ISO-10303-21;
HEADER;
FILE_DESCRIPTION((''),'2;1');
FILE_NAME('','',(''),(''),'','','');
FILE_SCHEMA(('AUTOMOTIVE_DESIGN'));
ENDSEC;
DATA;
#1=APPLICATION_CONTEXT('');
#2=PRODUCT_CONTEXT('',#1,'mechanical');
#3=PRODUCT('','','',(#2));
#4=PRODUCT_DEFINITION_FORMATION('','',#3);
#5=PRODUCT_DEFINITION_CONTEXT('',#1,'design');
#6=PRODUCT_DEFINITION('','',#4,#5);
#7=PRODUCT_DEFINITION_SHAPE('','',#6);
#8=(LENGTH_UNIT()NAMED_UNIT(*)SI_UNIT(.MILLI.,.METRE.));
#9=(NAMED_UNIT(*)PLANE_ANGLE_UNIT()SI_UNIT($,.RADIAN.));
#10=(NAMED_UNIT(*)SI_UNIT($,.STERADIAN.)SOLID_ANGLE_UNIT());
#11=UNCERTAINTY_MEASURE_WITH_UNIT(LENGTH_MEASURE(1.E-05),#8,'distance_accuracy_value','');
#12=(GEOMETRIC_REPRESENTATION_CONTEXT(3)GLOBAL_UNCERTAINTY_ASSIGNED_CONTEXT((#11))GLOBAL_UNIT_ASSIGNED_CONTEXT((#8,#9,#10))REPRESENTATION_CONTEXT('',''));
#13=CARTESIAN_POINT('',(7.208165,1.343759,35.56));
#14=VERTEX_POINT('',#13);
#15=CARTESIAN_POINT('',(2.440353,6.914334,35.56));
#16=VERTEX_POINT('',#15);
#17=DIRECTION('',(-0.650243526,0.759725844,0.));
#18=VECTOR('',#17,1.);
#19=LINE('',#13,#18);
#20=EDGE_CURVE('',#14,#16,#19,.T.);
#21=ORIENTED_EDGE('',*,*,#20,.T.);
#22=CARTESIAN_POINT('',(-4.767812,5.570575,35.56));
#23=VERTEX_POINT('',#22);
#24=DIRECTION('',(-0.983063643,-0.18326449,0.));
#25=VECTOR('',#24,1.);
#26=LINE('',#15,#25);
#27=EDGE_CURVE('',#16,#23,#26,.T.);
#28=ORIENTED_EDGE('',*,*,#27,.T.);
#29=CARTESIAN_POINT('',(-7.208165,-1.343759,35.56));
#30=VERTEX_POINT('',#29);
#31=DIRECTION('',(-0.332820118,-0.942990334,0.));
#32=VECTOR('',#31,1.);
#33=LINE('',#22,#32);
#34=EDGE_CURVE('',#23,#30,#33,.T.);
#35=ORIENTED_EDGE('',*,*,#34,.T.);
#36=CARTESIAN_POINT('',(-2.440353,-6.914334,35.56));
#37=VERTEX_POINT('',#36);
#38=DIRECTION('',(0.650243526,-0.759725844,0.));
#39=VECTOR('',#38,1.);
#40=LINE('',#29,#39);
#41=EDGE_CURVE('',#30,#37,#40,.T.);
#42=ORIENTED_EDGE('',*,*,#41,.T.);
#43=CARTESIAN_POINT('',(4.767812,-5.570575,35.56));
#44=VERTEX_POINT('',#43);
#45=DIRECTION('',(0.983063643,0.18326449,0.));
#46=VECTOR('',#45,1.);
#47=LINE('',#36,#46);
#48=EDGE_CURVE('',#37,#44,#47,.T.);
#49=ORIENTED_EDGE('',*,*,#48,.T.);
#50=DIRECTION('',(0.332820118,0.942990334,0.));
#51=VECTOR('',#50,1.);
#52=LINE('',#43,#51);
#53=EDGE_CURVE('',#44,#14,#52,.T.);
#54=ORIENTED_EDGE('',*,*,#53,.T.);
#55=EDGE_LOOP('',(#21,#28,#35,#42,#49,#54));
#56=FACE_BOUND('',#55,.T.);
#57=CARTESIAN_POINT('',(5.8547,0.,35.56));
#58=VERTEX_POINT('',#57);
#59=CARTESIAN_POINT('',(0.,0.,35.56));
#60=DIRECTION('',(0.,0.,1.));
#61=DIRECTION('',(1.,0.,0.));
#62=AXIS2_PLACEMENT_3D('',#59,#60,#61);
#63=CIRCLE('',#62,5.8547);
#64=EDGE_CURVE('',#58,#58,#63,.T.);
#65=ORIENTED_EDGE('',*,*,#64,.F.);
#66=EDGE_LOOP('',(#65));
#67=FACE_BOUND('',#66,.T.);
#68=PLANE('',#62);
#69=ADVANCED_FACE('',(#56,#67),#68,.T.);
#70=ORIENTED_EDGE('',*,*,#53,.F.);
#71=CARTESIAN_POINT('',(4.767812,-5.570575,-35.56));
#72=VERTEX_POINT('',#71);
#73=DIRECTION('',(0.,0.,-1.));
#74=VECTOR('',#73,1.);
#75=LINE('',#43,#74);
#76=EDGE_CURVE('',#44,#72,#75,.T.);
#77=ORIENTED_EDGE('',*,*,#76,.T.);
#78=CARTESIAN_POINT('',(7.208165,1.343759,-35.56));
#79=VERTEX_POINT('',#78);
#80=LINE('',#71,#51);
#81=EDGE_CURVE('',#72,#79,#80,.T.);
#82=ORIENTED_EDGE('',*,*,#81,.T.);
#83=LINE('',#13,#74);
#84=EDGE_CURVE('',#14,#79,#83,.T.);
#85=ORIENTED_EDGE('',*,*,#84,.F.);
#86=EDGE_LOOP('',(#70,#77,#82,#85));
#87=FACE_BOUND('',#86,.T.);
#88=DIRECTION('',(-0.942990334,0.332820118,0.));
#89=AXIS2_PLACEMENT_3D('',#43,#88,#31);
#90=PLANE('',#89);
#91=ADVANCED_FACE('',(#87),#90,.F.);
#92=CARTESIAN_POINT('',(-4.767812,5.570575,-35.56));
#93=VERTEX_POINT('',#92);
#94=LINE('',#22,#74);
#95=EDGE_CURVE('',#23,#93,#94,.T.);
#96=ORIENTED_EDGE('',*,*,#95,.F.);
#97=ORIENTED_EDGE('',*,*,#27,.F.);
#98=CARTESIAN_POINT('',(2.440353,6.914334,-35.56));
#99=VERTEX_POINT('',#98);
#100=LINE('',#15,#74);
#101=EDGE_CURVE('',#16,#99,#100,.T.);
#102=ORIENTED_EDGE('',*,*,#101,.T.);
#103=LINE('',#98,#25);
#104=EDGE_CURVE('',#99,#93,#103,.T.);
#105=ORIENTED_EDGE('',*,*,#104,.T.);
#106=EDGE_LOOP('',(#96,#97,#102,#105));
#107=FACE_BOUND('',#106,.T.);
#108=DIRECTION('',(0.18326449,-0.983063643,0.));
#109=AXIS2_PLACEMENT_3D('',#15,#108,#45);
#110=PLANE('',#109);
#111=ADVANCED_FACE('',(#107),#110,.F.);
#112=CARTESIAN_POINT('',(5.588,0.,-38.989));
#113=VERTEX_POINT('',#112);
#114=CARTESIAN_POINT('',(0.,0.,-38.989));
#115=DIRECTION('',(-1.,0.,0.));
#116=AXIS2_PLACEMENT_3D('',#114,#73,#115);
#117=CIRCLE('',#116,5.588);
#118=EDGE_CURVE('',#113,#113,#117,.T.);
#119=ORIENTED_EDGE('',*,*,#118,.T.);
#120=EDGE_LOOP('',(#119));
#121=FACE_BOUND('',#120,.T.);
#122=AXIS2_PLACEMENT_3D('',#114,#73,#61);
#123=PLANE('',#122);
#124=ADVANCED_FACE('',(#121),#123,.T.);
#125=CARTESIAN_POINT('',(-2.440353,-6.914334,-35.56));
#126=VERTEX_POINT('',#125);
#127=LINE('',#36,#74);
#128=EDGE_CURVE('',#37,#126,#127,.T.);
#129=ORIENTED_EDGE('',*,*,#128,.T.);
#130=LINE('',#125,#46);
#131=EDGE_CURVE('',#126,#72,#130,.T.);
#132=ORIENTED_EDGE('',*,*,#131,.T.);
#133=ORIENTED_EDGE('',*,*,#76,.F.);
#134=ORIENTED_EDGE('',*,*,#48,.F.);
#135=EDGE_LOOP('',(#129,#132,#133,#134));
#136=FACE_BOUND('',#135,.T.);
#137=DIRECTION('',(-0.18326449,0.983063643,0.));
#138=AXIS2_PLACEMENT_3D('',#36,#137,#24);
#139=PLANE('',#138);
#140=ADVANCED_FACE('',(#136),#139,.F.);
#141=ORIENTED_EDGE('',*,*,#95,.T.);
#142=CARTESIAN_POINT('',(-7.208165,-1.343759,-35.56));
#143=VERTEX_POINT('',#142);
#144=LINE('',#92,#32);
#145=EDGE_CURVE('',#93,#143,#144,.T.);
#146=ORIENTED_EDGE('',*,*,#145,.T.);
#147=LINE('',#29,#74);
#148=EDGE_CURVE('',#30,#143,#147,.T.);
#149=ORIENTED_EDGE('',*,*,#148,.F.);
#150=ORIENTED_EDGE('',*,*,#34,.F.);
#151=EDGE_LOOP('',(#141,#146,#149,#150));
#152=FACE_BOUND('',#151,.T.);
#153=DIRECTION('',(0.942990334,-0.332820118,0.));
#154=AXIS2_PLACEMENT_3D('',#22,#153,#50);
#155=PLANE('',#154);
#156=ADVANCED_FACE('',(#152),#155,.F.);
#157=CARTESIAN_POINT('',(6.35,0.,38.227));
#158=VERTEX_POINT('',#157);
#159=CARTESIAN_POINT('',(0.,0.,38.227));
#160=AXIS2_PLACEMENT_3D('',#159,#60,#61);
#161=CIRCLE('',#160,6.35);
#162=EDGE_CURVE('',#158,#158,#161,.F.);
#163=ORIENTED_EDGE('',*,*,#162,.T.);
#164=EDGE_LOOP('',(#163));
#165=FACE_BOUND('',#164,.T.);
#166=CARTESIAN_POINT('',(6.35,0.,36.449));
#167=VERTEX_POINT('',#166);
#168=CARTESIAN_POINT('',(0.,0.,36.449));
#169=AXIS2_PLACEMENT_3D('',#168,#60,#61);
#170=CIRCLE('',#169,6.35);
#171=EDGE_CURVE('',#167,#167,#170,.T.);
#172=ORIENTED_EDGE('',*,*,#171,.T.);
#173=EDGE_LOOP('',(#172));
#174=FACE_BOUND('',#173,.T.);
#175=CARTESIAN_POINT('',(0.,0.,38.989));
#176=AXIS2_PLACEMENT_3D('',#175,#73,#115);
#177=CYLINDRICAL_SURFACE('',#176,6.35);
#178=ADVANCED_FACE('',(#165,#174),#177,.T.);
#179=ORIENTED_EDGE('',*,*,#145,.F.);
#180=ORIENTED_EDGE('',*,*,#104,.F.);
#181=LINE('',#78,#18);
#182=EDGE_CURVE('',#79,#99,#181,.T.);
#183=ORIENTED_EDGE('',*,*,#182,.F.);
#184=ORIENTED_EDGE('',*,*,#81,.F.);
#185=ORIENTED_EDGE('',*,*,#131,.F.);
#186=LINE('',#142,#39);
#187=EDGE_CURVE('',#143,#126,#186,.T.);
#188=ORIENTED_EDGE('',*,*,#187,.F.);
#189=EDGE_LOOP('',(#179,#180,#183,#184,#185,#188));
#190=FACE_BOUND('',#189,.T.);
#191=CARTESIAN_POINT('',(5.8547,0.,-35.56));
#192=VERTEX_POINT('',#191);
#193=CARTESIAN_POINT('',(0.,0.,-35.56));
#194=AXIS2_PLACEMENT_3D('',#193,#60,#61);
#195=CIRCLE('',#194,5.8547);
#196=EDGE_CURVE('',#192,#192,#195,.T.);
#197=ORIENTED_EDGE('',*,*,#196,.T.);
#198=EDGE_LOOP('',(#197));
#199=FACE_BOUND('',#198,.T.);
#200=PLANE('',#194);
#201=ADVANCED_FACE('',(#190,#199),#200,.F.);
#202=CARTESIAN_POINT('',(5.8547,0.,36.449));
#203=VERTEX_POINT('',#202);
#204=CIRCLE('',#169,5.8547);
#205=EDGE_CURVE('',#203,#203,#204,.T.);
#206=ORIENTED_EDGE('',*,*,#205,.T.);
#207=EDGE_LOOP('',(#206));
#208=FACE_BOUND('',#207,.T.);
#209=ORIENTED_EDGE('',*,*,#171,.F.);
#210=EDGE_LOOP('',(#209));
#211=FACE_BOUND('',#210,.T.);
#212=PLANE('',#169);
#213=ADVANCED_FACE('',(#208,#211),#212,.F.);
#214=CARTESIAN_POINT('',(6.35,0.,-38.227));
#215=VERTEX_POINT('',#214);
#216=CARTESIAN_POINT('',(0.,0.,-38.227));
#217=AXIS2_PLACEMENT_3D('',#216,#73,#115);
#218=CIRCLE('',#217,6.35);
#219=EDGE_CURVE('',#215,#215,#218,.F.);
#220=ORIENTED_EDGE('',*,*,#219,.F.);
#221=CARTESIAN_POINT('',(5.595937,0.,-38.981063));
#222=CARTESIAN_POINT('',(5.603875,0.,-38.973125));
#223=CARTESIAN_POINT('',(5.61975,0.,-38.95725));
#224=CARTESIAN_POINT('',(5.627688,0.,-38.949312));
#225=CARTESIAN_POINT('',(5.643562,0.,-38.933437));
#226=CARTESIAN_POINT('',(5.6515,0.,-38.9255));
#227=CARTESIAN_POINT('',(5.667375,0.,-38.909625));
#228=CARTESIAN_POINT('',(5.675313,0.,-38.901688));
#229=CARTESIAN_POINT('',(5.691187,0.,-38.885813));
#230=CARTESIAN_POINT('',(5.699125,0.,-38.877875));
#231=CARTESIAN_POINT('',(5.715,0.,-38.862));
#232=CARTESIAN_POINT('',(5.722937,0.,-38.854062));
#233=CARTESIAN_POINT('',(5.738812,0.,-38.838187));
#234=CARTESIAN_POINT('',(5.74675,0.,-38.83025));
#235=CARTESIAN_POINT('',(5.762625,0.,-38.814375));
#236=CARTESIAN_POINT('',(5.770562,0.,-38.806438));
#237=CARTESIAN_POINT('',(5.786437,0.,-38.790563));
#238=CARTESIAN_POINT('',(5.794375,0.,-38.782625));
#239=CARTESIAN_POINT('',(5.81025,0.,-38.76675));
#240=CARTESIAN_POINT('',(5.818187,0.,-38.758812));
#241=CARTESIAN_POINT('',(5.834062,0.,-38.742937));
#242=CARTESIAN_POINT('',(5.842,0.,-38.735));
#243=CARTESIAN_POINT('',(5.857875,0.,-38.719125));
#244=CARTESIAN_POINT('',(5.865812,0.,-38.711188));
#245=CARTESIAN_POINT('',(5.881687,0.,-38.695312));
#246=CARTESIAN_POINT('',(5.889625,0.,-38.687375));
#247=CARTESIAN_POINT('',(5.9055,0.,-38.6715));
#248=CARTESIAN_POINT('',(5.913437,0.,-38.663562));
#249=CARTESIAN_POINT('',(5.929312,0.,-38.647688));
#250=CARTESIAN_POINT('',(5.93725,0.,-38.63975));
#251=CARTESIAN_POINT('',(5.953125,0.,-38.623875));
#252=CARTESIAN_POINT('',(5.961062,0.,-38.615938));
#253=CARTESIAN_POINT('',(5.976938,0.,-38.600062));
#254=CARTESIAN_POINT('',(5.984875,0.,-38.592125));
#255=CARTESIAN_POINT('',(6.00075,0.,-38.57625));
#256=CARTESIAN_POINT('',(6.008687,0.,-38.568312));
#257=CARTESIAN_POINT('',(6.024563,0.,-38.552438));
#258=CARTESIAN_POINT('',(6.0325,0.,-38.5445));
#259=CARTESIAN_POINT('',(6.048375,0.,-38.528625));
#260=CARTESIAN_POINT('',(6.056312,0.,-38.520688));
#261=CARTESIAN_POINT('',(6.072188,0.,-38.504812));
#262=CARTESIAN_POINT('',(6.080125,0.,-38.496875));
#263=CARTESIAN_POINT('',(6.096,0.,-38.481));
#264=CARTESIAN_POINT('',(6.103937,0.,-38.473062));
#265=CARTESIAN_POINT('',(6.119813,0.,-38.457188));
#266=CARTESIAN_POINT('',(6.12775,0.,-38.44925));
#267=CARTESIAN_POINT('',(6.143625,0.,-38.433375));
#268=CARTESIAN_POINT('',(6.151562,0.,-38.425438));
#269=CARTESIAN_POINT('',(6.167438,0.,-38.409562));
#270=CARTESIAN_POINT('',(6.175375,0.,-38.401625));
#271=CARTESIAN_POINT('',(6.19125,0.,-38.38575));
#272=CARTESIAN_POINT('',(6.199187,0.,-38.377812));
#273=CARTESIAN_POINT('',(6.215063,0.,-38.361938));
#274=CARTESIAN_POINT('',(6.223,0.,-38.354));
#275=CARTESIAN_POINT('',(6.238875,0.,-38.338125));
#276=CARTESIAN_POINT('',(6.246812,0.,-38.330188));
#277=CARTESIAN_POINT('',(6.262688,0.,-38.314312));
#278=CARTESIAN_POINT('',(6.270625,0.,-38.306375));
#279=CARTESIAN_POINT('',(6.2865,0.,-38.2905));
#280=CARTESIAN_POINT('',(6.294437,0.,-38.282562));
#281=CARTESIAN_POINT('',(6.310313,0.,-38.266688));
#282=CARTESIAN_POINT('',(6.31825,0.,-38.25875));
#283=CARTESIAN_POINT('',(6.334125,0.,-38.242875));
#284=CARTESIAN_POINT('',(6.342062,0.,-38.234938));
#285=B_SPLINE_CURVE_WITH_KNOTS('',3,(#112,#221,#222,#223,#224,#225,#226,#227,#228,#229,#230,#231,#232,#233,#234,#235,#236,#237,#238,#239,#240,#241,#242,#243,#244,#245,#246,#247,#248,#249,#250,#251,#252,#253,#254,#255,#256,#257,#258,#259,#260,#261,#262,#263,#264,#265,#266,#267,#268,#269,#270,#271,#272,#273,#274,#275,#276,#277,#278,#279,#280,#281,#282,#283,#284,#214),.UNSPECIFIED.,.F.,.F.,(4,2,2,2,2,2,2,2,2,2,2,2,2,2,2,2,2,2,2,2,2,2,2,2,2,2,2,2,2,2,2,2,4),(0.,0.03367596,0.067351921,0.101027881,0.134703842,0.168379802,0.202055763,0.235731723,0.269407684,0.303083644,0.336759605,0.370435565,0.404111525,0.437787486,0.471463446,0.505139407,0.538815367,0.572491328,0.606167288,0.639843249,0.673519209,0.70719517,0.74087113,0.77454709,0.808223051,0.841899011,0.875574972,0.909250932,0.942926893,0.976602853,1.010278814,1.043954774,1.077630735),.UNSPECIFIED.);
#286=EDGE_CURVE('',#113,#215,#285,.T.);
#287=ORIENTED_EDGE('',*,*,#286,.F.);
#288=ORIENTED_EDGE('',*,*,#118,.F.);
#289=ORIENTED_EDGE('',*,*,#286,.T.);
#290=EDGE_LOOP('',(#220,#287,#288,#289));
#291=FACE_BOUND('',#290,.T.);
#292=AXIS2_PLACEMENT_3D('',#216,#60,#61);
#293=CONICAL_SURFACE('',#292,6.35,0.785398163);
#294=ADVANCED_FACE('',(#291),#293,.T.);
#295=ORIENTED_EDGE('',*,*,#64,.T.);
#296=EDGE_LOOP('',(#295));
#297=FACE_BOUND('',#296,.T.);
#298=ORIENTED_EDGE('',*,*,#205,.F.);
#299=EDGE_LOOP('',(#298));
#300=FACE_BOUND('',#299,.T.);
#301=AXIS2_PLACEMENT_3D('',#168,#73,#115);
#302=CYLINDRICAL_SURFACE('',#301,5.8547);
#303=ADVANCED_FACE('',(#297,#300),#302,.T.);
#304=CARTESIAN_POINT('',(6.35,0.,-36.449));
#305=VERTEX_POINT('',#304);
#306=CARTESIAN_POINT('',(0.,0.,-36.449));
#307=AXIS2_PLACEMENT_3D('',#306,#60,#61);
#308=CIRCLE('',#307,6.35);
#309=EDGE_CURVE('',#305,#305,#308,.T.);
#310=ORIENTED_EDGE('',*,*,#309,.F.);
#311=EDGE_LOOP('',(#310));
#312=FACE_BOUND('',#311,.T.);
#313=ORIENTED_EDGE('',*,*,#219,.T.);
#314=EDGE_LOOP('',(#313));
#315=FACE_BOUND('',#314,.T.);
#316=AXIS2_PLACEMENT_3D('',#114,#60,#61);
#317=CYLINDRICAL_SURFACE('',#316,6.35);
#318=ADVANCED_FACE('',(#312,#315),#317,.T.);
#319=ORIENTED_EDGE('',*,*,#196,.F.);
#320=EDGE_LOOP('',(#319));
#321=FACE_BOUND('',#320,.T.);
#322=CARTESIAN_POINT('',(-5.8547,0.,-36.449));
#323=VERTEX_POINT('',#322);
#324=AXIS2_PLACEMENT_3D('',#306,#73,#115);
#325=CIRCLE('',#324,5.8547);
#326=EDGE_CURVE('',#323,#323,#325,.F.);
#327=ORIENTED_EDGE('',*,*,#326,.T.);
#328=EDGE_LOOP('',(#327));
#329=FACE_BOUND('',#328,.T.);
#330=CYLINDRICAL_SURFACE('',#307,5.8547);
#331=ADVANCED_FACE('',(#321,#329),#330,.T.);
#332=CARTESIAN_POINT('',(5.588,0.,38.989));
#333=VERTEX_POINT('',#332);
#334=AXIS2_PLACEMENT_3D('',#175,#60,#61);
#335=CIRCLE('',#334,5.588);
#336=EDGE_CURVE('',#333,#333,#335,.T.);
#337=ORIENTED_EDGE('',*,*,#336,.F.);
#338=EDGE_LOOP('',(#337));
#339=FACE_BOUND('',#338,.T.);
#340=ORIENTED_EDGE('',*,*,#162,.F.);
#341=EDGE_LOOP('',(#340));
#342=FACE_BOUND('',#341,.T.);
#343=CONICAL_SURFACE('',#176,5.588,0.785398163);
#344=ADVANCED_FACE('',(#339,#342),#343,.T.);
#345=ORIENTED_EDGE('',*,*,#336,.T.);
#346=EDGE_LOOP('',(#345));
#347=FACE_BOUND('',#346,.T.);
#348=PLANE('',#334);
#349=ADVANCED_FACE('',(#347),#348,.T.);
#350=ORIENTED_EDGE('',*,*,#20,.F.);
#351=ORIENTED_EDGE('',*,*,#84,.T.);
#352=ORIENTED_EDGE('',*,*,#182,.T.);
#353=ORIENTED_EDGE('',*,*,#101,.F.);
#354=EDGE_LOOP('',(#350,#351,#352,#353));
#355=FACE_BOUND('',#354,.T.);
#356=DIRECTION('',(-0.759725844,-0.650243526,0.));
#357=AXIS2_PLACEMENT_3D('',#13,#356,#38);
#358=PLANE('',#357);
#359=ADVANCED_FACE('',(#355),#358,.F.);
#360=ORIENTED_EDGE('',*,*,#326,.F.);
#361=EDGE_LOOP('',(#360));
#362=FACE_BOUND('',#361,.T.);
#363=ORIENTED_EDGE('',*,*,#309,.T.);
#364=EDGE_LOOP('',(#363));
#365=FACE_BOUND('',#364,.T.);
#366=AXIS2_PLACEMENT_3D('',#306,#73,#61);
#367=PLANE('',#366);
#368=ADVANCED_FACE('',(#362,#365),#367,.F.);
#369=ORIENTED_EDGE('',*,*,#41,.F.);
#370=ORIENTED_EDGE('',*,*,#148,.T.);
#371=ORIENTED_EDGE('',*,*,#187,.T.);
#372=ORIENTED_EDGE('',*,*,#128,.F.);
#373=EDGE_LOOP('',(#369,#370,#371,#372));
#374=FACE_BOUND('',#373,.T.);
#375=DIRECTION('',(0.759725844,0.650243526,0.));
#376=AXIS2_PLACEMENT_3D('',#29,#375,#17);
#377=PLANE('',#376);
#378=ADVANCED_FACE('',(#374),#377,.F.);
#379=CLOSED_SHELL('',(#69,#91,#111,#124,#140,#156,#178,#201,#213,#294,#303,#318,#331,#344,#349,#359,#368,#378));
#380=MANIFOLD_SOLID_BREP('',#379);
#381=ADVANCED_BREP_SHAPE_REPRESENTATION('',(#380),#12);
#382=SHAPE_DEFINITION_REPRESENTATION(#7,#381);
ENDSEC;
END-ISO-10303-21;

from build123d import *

# Parameters (mm, degrees)
BOSS_EXTRUDE1_DEPTH      = 35.56
SKETCH2_R                = 5.8547
BOSS_EXTRUDE2_DEPTH      = 0.889
SKETCH3_R                = 6.35
BOSS_EXTRUDE3_DEPTH      = 2.54
CHAMFER1_SIZE            = 0.762
CHAMFER1_OF_MIRROR1_SIZE = 0.762


with BuildPart() as part:
    # Sketch1 → Boss-Extrude1 (new, symmetric)
    with BuildSketch(Plane.XY):
        Polygon((-2.440353064, -6.914333681), (4.767812086, -5.570574588), (7.20816515, 1.343759093), (2.440353064, 6.914333681), (-4.767812086, 5.570574588), (-7.20816515, -1.343759093), align=None)
    extrude(amount=BOSS_EXTRUDE1_DEPTH, both=True)

    # Sketch2 → Boss-Extrude2 (add)
    with BuildSketch(Plane.XY.offset(35.56)):
        Circle(SKETCH2_R)
    boss_extrude2 = extrude(amount=BOSS_EXTRUDE2_DEPTH)

    # Sketch3 → Boss-Extrude3 (add)
    with BuildSketch(Plane.XY.offset(36.449)):
        Circle(SKETCH3_R)
    boss_extrude3 = extrude(amount=BOSS_EXTRUDE3_DEPTH)

    # Chamfer1
    chamfer1_edges = [part.edges().sort_by_distance(p)[0] for p in [
        (-6.35, 0, 38.989),
    ]]
    chamfer(chamfer1_edges, length=CHAMFER1_SIZE)

    # Mirror1: Boss-Extrude2, Boss-Extrude3 across plane
    add(boss_extrude2.mirror(Plane.XY))
    add(boss_extrude3.mirror(Plane.XY))

    # Chamfer1 of Mirror1
    chamfer1_of_mirror1_edges = [part.edges().sort_by_distance(p)[0] for p in [
        (-6.35, 0, -38.989),
    ]]
    chamfer(chamfer1_of_mirror1_edges, length=CHAMFER1_OF_MIRROR1_SIZE)


solid = part.part
